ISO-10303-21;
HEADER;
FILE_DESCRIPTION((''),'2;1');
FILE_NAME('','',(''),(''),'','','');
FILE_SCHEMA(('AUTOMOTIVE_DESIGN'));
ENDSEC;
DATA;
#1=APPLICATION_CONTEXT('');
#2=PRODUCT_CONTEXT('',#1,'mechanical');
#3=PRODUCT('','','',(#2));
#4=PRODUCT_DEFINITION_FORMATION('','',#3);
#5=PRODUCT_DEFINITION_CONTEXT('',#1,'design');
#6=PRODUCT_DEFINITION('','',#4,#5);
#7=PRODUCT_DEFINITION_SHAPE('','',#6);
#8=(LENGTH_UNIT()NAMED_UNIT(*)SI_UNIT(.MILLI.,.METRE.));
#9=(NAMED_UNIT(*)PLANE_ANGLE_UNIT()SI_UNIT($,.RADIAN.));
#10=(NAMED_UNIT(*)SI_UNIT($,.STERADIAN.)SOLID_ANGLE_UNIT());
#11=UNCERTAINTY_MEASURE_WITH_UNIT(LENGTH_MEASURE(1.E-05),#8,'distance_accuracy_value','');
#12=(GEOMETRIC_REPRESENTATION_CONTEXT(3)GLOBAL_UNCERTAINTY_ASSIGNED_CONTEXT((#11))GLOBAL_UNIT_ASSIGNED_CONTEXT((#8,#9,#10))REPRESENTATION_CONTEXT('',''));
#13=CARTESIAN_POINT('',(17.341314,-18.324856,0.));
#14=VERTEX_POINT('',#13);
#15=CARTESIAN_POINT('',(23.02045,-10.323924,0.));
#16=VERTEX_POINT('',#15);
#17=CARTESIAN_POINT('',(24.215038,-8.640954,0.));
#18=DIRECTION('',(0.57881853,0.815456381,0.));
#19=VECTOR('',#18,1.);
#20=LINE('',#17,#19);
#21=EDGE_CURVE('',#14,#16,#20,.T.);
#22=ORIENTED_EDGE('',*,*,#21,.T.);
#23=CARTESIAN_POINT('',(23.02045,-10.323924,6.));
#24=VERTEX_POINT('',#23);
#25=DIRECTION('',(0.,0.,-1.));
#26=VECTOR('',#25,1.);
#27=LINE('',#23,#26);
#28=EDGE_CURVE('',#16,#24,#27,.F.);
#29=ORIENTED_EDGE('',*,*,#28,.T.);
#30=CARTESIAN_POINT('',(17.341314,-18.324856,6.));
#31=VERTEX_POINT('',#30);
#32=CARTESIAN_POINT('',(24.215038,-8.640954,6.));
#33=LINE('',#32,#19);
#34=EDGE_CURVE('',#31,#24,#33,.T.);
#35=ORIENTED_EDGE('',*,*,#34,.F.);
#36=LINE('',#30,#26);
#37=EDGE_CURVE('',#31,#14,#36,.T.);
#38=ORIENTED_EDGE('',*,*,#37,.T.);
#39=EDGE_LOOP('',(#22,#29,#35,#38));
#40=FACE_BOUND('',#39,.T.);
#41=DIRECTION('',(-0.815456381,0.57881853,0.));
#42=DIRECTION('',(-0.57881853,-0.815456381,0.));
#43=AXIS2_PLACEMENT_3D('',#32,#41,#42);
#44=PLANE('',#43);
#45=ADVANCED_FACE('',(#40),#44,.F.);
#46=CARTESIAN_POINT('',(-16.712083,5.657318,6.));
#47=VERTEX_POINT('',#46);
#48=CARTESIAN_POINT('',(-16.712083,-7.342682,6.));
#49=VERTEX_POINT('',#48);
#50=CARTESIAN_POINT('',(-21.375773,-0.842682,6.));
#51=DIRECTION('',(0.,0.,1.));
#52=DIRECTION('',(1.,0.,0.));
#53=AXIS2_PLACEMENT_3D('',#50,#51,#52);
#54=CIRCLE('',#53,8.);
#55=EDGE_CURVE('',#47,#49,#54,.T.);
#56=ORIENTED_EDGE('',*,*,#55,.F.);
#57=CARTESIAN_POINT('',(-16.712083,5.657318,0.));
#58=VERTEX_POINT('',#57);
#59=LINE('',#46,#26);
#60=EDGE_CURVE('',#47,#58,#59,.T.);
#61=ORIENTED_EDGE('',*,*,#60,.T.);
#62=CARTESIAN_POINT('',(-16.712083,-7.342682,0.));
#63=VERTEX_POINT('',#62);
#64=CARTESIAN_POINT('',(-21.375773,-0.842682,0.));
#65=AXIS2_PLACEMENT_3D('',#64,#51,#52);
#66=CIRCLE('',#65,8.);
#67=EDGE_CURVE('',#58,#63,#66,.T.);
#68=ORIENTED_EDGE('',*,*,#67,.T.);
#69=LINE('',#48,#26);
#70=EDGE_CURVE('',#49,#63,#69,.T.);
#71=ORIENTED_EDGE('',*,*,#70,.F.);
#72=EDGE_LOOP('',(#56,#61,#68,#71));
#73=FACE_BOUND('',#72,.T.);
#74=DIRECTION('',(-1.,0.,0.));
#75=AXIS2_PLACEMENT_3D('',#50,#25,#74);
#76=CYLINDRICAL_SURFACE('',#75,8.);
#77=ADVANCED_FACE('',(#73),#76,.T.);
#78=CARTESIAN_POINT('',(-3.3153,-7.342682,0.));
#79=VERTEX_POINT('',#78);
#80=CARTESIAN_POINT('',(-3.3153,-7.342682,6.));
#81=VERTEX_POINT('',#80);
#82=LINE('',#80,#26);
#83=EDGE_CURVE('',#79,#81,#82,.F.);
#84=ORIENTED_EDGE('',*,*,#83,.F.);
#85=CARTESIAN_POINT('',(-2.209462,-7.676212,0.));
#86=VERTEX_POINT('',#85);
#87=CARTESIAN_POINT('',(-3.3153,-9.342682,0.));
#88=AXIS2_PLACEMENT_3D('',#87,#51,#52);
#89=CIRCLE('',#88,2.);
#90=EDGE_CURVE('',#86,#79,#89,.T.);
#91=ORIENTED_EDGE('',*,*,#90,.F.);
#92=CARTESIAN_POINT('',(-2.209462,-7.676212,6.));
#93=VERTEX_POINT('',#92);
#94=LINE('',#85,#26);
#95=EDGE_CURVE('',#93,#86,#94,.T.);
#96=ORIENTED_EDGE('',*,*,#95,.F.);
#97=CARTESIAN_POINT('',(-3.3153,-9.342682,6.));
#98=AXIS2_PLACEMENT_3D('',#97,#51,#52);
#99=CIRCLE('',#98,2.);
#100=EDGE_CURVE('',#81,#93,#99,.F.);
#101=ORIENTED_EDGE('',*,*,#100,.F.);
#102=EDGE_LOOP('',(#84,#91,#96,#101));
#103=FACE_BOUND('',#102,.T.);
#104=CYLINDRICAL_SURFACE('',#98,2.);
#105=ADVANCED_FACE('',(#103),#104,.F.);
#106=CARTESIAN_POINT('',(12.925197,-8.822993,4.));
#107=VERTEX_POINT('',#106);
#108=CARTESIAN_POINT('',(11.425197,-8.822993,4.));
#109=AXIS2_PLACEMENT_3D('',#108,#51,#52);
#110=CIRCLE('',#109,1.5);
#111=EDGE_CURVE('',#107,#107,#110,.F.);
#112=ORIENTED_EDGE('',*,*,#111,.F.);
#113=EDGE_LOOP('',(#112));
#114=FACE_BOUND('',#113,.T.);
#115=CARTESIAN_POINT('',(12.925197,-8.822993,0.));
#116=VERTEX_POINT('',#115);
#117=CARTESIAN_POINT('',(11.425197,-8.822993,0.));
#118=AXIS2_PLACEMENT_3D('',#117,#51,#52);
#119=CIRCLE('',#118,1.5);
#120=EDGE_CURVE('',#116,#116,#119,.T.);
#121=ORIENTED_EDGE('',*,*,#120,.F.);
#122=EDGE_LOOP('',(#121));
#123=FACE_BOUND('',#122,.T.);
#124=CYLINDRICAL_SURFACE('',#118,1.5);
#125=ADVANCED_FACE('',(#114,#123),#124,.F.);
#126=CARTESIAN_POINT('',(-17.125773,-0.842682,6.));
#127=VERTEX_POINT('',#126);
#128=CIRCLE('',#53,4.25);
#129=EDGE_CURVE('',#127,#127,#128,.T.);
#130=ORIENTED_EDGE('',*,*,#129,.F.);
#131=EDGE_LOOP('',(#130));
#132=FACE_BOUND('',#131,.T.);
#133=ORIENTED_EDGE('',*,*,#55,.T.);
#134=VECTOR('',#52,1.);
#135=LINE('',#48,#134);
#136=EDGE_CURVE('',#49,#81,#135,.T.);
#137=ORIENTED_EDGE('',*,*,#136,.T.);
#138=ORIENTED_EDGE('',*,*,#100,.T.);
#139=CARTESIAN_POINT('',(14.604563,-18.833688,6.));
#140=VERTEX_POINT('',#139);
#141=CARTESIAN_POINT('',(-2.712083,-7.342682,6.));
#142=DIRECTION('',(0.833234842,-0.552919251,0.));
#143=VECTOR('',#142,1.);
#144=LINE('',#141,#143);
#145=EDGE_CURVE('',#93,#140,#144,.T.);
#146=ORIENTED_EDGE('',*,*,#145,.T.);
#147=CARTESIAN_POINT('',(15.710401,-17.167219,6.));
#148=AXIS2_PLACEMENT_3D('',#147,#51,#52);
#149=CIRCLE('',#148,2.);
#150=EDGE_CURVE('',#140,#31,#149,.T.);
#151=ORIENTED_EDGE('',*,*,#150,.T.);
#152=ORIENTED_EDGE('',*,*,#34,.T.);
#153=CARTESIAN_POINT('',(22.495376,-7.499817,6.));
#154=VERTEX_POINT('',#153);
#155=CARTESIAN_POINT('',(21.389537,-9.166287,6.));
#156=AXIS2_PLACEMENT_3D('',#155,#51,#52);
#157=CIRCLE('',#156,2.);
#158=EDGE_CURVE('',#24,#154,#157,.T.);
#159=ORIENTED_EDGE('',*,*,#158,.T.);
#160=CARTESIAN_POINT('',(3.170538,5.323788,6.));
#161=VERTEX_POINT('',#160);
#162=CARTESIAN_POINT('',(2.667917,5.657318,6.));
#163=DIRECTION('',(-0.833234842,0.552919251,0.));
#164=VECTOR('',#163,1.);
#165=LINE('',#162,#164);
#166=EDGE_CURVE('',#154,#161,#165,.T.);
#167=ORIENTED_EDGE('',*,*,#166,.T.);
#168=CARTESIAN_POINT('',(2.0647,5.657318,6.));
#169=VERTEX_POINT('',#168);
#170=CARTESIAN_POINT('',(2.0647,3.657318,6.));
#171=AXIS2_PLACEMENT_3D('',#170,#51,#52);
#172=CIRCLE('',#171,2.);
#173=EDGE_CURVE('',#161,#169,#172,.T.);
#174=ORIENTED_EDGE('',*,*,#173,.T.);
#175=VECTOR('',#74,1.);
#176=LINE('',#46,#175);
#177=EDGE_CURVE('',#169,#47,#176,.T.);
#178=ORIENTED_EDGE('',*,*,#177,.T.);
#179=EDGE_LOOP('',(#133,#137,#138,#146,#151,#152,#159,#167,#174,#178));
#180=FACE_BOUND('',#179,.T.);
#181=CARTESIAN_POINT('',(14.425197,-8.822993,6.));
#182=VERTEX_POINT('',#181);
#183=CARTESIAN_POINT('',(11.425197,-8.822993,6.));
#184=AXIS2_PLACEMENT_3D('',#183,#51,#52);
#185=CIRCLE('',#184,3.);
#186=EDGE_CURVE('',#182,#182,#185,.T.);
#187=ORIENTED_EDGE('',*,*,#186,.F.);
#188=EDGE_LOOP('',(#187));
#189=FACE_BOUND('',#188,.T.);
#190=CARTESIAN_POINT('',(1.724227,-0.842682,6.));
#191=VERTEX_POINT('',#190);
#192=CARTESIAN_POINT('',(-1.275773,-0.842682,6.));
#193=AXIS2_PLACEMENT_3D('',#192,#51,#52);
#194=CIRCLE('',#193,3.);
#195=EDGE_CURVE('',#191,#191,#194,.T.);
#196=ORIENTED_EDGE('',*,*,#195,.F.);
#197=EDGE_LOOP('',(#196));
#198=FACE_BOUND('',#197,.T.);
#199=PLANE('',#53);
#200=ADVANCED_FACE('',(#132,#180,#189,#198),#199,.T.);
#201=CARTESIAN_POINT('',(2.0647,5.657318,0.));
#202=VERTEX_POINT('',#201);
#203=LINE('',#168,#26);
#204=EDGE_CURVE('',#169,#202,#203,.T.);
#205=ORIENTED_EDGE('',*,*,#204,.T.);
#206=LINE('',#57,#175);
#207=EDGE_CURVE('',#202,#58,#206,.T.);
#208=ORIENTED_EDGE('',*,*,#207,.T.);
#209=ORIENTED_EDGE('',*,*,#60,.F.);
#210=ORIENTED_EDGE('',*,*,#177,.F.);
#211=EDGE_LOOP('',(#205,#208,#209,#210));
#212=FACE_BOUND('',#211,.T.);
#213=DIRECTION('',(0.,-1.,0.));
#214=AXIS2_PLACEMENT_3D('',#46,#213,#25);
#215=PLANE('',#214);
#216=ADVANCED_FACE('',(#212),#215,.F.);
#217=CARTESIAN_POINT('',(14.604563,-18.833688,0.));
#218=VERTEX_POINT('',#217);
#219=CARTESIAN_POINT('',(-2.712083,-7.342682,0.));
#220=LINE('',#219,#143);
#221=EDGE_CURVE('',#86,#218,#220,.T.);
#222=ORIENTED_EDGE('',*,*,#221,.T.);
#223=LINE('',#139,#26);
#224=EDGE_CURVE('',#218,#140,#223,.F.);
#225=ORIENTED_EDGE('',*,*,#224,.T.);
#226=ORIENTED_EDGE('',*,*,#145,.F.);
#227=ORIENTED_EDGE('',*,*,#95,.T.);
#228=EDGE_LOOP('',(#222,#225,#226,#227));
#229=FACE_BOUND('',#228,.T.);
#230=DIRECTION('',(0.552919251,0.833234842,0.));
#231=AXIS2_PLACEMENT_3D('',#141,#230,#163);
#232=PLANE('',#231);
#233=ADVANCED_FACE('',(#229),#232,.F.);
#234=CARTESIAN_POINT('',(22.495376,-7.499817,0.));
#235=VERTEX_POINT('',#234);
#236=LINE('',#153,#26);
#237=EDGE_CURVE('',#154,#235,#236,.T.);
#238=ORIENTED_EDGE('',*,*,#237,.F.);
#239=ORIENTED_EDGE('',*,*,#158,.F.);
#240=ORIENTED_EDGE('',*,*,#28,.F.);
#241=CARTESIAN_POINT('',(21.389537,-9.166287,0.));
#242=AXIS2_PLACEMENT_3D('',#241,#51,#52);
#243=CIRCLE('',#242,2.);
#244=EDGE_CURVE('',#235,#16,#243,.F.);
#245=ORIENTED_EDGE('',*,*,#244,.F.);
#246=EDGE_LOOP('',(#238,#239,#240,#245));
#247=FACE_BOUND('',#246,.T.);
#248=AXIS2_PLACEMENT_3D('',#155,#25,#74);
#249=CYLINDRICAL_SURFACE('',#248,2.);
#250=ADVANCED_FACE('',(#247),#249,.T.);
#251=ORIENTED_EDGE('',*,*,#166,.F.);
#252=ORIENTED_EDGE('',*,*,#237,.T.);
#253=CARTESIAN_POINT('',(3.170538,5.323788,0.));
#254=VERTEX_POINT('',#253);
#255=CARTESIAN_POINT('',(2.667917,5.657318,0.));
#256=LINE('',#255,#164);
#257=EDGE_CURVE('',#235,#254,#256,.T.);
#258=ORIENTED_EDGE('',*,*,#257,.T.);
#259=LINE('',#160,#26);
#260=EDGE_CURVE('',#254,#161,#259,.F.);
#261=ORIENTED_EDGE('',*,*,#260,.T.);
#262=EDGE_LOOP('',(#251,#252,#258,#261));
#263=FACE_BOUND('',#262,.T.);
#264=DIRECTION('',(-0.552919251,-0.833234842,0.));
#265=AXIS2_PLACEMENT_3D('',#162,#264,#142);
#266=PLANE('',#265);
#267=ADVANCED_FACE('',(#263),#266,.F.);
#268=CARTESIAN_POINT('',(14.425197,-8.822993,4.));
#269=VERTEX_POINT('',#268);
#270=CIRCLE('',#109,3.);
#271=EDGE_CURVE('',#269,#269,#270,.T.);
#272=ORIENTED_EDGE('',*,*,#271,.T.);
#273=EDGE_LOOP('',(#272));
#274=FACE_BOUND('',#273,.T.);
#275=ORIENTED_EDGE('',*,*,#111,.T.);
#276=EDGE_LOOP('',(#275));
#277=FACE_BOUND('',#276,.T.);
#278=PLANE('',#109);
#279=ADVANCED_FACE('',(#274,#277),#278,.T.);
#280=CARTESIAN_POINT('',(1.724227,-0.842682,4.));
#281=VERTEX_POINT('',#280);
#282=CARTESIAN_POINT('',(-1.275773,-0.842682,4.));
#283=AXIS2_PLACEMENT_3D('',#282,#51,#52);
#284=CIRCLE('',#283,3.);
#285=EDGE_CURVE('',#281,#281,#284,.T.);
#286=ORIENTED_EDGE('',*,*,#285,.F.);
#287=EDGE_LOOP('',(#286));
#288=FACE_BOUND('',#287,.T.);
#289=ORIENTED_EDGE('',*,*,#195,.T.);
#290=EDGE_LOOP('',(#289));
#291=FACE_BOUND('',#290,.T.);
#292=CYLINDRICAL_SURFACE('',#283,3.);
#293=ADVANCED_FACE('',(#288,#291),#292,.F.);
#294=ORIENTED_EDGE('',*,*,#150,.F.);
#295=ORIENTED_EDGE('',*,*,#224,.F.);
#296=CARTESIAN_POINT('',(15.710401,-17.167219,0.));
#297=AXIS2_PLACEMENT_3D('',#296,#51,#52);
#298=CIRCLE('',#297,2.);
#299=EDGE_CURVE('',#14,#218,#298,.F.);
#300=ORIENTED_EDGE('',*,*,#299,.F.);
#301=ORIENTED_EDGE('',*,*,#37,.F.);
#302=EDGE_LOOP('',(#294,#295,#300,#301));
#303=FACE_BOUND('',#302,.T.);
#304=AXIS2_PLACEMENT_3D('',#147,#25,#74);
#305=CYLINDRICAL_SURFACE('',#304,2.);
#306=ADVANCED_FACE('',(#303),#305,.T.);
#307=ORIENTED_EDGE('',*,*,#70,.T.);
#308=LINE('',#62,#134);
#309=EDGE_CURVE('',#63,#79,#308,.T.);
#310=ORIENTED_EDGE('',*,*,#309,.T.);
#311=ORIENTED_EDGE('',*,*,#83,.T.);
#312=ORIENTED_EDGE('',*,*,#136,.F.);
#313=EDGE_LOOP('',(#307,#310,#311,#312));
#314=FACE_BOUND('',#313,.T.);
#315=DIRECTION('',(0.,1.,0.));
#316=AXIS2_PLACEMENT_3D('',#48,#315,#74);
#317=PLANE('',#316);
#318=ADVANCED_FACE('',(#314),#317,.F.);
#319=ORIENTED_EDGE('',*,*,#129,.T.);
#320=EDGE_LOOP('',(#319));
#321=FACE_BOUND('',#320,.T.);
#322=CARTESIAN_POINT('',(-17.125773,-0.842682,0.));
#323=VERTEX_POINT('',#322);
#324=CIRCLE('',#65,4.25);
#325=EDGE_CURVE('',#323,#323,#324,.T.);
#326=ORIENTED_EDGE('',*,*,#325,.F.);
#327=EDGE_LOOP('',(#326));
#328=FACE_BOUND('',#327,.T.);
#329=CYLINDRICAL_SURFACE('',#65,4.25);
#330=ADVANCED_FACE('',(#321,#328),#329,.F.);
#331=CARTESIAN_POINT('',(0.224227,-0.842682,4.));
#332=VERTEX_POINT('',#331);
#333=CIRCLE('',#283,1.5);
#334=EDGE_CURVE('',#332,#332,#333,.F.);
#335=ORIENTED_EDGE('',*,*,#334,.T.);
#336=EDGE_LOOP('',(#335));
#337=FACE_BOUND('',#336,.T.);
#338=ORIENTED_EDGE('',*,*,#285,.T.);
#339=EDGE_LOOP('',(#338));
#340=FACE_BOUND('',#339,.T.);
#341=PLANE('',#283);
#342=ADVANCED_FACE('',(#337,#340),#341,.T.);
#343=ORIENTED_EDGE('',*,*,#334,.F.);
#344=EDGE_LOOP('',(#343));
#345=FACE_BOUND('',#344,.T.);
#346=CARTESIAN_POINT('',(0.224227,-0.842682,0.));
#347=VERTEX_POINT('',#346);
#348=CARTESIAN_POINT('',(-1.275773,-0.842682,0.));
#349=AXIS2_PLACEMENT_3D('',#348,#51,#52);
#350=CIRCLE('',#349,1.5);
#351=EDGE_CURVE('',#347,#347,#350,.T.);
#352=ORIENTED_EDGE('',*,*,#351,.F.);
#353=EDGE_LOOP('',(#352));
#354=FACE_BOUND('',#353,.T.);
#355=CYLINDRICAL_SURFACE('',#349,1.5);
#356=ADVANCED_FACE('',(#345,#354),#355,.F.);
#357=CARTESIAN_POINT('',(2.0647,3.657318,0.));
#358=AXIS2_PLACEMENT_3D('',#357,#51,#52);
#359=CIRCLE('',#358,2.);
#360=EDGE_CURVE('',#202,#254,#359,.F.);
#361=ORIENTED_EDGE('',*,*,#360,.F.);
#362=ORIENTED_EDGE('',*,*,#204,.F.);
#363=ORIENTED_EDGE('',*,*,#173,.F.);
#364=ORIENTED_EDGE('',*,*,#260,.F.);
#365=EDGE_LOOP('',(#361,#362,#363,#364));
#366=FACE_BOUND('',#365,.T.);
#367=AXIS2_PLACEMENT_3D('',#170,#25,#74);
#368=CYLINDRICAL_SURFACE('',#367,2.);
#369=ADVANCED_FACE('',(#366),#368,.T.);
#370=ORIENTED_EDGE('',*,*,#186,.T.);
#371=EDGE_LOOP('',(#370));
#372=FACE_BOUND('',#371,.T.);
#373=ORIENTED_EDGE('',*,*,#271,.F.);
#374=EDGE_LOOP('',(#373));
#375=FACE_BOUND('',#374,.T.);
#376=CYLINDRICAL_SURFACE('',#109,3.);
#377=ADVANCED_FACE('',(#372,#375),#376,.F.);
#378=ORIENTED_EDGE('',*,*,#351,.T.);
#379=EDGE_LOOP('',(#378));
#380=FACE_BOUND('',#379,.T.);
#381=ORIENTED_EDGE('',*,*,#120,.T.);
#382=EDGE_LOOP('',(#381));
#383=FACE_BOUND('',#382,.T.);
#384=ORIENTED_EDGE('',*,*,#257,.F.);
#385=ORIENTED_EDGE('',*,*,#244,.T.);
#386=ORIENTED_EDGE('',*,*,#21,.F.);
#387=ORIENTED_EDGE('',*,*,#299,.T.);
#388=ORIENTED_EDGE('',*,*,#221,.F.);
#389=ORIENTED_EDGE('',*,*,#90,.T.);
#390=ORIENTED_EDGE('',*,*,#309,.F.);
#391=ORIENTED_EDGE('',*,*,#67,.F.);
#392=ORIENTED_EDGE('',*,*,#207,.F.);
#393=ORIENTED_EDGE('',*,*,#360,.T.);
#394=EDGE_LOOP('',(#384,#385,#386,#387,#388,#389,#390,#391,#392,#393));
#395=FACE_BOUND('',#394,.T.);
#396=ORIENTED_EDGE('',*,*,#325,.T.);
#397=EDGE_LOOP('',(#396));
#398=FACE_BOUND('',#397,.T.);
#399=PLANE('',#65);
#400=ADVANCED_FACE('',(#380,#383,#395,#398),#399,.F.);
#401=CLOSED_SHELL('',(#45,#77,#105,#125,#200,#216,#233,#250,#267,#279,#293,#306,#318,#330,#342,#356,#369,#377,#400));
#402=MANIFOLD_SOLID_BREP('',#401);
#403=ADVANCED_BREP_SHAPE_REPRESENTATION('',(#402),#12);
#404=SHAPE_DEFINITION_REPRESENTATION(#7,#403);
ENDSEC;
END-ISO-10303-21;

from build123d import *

# Parameters (mm, degrees)
BOSS_EXTRU_1_DEPTH      = 6
CONG_1_R                = 2
ESQUISSE2_R             = 4.25
ESQUISSE2_R_2           = 1.5
ENL_V_MAT_EXTRU_1_DEPTH = 36.585366409
ESQUISSE3_R             = 3
ENL_V_MAT_EXTRU_2_DEPTH = 2


with BuildPart() as part:
    # Esquisse1 → Boss.-Extru.1 (new body)
    with BuildSketch(Plane.XY):
        with BuildLine():
            Line((-16.712083242, 5.657318013), (2.667916758, 5.657318013))
            Line((2.667916758, 5.657318013), (24.215038011, -8.640953678))
            Line((24.215038011, -8.640953678), (16.21948516, -19.905321115))
            Line((16.21948516, -19.905321115), (-2.712083242, -7.342681987))
            Line((-2.712083242, -7.342681987), (-16.712083242, -7.342681987))
            ThreePointArc((-16.712083242, -7.342681987), (-29.375772768, -0.842681987), (-16.712083242, 5.657318013))
        make_face()
    extrude(amount=BOSS_EXTRU_1_DEPTH)

    # Congé1
    cong_1_edges = [part.edges().sort_by_distance(p)[0] for p in [
        (2.667916758, 5.657318013, 3),
        (24.215038011, -8.640953678, 3),
        (16.21948516, -19.905321115, 3),
        (-2.712083242, -7.342681987, 3),
    ]]
    fillet(cong_1_edges, radius=CONG_1_R)

    # Esquisse2 → Enlèv. mat.-Extru.1 (cut, through all)
    with BuildSketch(Plane.XY.offset(6)):
        with Locations((-21.375772768, -0.842681987)):
            Circle(ESQUISSE2_R)
        with Locations((-1.275772768, -0.842681987)):
            Circle(ESQUISSE2_R_2)
        with Locations((11.425197336, -8.822992659)):
            Circle(ESQUISSE2_R_2)
    extrude(amount=-ENL_V_MAT_EXTRU_1_DEPTH, mode=Mode.SUBTRACT)

    # Esquisse3 → Enlèv. mat.-Extru.2 (cut)
    with BuildSketch(Plane.XY.offset(6)):
        with Locations((-1.275772768, -0.842681987)):
            Circle(ESQUISSE3_R)
        with Locations((11.425197336, -8.822992659)):
            Circle(ESQUISSE3_R)
    extrude(amount=-ENL_V_MAT_EXTRU_2_DEPTH, mode=Mode.SUBTRACT)


solid = part.part
